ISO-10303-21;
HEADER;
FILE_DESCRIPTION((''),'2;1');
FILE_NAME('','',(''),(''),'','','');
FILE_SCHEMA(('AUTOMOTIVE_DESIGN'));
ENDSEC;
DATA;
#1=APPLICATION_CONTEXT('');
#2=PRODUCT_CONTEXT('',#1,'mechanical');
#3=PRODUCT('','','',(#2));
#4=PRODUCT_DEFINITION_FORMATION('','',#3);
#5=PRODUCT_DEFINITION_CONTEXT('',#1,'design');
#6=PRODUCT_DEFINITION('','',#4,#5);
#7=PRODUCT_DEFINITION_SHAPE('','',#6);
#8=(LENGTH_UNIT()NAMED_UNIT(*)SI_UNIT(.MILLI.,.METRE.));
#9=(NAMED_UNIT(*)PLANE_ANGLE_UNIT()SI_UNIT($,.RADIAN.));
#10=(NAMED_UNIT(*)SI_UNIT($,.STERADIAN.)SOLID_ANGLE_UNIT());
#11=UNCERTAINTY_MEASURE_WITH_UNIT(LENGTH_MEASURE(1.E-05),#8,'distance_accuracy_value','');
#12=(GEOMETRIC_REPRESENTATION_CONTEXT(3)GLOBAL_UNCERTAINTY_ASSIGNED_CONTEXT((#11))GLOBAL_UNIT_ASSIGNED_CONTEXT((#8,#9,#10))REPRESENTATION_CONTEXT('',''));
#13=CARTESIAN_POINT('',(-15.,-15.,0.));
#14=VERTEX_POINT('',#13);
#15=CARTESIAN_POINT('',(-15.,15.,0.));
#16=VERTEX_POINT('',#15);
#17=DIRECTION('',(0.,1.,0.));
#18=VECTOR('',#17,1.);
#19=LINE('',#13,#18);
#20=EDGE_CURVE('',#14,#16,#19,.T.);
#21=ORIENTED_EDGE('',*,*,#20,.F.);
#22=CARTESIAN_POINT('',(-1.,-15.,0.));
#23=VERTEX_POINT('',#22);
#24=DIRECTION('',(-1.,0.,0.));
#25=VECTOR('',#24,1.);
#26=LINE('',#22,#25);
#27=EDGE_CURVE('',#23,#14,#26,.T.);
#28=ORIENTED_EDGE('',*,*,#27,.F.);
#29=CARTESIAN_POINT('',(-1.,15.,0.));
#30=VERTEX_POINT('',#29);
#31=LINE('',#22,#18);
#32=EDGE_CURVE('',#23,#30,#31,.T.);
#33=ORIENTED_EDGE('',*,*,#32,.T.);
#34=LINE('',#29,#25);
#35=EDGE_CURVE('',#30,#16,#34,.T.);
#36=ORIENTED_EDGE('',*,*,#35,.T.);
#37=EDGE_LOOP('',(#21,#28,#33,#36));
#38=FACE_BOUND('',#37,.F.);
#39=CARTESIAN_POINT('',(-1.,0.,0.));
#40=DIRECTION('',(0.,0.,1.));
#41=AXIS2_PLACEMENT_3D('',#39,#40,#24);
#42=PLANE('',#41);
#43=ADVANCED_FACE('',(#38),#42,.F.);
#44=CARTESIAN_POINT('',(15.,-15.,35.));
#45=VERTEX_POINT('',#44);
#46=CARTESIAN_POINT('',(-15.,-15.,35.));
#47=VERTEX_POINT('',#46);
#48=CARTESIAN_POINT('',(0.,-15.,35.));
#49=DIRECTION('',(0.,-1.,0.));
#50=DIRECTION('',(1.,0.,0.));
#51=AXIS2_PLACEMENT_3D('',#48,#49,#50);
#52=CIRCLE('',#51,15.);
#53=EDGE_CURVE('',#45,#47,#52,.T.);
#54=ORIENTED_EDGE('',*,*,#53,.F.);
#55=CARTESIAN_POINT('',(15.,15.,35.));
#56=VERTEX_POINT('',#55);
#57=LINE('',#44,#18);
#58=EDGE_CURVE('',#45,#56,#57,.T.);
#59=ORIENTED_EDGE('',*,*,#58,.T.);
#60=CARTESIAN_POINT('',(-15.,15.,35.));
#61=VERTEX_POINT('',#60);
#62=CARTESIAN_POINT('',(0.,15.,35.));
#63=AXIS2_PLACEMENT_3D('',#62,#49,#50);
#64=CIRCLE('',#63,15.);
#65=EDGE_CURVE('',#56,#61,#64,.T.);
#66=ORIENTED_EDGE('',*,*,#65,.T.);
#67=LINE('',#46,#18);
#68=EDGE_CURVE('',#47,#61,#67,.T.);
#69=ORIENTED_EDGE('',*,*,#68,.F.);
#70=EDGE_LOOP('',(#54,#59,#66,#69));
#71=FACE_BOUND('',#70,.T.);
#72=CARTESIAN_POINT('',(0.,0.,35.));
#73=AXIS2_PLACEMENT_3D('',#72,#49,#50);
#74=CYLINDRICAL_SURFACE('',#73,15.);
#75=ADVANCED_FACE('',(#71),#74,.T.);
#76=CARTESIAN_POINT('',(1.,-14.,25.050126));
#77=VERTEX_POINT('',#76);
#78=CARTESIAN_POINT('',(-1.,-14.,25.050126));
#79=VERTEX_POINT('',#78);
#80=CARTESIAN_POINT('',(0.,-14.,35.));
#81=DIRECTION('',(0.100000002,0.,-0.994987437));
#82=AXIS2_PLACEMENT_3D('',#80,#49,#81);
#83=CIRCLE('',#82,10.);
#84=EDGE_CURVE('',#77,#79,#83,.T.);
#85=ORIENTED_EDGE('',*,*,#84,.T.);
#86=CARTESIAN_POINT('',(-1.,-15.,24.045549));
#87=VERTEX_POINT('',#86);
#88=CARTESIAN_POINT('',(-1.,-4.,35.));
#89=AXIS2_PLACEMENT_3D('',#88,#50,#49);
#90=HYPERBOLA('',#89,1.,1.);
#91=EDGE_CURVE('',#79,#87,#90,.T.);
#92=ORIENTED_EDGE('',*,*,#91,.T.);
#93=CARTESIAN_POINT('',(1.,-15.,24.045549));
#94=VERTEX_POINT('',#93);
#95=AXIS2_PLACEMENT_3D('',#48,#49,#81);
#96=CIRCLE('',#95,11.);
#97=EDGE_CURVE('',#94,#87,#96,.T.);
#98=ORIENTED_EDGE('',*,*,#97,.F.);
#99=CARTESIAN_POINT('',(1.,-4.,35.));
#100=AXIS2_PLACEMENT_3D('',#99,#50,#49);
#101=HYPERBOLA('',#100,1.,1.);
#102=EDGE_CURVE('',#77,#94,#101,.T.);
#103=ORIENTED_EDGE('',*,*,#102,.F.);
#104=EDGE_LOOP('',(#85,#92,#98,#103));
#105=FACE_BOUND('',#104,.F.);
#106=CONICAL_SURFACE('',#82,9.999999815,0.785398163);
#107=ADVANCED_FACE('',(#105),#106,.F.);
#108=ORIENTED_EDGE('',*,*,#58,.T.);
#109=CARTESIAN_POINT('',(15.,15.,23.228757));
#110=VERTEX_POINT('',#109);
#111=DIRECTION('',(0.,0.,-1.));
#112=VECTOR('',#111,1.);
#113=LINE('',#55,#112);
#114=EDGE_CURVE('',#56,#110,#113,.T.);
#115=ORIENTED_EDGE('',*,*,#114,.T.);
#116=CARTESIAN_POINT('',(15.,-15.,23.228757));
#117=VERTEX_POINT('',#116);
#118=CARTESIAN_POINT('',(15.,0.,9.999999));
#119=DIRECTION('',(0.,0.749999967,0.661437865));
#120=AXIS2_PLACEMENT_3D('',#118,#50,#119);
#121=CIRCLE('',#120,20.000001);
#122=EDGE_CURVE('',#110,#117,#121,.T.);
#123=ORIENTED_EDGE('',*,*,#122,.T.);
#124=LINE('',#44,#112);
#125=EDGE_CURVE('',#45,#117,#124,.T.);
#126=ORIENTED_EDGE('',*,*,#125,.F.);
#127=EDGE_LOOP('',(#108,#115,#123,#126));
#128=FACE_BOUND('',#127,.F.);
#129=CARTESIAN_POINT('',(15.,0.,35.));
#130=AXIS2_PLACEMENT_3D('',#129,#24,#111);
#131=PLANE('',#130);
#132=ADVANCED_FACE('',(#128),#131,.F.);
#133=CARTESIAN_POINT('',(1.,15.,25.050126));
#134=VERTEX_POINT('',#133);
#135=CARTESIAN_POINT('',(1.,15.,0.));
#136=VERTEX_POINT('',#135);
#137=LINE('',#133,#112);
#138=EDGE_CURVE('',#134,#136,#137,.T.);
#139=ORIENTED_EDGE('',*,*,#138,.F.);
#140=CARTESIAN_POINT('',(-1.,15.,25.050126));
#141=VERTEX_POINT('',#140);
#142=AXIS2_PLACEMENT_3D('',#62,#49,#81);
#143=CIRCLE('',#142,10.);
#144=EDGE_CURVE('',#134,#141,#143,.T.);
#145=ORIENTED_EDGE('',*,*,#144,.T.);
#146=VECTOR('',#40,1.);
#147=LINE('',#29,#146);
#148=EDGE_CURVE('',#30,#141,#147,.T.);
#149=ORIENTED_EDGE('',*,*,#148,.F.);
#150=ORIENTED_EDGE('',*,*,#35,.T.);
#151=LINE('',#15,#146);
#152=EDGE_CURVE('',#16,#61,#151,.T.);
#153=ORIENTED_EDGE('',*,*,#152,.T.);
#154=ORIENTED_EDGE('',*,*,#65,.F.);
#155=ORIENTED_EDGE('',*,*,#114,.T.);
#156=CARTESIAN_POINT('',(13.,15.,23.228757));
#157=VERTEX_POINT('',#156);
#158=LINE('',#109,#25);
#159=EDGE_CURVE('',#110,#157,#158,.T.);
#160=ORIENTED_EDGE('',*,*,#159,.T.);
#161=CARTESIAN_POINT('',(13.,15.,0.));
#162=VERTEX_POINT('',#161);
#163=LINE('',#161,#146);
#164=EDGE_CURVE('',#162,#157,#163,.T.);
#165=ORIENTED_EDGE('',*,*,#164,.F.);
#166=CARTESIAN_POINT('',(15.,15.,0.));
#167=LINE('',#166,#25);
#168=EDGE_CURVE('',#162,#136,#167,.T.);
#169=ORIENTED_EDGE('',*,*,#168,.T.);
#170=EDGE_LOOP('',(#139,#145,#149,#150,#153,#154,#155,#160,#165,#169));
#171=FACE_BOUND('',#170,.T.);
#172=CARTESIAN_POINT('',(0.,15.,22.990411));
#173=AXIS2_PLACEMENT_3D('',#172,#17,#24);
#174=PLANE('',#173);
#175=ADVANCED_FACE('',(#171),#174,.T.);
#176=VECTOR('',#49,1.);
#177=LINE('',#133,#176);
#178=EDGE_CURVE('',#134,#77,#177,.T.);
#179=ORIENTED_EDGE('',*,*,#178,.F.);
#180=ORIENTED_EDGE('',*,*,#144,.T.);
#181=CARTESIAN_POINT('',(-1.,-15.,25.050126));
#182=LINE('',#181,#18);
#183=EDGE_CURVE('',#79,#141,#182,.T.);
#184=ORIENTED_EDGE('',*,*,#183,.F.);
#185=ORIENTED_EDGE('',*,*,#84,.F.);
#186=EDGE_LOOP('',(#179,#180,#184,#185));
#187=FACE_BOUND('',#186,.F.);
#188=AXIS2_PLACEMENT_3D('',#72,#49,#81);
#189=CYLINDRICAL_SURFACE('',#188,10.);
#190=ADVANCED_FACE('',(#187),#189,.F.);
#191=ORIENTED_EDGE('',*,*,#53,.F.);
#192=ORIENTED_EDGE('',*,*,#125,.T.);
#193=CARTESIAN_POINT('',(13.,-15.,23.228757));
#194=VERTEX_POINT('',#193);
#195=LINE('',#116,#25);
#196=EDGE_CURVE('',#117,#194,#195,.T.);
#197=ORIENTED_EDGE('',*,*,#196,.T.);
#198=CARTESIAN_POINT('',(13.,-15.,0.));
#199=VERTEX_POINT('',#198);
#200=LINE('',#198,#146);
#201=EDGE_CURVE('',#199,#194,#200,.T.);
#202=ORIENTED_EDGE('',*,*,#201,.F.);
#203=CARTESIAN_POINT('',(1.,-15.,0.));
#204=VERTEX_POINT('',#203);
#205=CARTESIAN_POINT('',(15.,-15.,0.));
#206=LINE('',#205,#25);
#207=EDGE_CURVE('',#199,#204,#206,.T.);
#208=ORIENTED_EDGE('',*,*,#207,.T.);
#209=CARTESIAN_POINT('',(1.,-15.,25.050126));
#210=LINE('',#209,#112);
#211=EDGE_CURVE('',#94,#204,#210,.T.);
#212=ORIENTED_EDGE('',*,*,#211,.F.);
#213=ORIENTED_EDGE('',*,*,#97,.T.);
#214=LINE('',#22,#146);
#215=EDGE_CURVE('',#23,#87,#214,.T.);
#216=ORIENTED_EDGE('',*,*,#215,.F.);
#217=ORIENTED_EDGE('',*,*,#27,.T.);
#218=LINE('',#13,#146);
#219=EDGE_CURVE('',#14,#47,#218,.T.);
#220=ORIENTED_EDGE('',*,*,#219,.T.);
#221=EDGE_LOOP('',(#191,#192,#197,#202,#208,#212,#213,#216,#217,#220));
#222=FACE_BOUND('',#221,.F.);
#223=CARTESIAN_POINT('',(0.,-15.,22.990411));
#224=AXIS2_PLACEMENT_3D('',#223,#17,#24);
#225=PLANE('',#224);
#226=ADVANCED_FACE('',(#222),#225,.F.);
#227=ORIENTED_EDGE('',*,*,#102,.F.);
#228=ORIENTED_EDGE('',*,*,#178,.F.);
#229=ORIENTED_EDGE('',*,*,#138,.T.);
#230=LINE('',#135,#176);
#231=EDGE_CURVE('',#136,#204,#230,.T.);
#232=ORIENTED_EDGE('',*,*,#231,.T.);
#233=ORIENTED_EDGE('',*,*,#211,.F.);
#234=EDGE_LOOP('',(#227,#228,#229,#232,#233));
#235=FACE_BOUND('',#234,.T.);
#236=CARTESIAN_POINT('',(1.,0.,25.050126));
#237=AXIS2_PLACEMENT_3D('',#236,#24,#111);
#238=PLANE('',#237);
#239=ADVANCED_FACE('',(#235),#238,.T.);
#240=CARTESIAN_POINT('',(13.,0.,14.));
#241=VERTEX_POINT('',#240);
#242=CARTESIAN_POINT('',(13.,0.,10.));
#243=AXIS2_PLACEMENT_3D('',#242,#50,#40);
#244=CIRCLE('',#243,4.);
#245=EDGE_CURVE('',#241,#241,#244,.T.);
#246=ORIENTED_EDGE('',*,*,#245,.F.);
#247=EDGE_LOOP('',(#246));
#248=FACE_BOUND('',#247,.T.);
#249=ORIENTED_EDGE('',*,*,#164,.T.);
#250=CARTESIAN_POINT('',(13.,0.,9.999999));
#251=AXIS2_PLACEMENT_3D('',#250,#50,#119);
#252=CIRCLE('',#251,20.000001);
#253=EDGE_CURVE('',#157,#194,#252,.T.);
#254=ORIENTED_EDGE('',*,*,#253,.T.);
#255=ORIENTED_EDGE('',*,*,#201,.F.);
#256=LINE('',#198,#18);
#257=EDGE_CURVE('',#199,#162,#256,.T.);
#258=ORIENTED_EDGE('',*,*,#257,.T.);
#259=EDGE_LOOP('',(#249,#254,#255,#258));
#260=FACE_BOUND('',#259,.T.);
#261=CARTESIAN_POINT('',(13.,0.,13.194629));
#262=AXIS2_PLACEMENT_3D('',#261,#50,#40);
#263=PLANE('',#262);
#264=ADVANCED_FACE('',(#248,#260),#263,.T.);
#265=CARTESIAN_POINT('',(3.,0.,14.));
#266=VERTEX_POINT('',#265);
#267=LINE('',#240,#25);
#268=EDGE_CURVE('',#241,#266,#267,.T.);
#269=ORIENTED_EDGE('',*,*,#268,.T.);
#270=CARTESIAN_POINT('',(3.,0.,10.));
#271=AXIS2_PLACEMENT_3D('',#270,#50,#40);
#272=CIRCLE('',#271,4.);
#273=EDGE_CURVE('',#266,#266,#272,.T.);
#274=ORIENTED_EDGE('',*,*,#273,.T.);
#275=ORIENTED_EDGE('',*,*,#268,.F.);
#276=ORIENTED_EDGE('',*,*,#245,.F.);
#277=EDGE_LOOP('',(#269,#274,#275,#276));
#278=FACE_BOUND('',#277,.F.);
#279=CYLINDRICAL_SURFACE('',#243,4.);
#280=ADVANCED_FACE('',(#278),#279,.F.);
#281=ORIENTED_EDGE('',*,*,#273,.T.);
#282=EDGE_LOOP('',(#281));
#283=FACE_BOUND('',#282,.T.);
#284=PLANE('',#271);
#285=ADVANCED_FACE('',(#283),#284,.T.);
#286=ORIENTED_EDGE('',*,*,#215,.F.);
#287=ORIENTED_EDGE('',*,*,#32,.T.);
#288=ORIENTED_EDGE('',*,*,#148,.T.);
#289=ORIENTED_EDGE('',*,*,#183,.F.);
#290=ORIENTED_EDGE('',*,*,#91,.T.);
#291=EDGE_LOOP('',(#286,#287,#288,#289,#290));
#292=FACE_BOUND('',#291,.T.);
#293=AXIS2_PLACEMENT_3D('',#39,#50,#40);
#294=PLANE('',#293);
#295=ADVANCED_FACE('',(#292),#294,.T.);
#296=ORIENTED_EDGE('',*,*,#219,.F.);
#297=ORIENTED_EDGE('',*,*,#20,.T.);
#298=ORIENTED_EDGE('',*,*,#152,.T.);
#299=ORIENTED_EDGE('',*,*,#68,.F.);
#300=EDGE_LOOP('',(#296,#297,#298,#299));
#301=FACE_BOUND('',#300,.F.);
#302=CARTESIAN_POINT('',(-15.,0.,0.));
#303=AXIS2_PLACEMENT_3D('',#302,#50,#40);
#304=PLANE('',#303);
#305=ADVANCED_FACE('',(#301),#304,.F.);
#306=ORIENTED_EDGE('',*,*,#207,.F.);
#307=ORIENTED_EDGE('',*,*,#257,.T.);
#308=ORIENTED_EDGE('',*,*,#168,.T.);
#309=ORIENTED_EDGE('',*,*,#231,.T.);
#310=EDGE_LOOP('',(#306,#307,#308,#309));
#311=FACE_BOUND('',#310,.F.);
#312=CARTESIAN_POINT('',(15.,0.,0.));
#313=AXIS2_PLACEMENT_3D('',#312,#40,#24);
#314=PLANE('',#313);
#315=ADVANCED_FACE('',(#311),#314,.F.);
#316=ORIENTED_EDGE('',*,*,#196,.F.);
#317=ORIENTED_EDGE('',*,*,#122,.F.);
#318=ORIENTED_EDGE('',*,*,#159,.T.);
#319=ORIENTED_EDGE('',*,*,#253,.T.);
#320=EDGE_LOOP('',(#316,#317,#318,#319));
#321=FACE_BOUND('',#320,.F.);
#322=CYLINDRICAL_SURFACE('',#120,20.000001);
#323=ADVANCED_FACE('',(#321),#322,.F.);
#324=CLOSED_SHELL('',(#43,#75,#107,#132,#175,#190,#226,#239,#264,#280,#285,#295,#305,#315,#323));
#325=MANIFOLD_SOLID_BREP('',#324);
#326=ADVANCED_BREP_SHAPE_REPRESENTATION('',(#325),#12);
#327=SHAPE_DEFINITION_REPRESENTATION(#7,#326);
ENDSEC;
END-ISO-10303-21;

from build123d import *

# Parameters (mm, degrees)
PAD_DEPTH       = 15
POCKET_DEPTH    = 2
SKETCH002_R     = 4
POCKET001_DEPTH = 10
CHAMFER_SIZE    = 1


with BuildPart() as part:
    # Sketch → Pad (new body, symmetric)
    with BuildSketch(Plane.XZ):
        with BuildLine():
            ThreePointArc((1, 25.050126), (0, 45), (-1, 25.050126))
            Line((-1, 0), (-1, 25.050126))
            Line((-1, 0), (-15, 0))
            Line((-15, 0), (-15, 35))
            ThreePointArc((15, 35), (0, 50), (-15, 35))
            Line((15, 35), (15, 0))
            Line((15, 0), (1, 0))
            Line((1, 25.050126), (1, 0))
        make_face()
    extrude(amount=PAD_DEPTH, both=True)

    # Sketch001 (on Face1 of Pad) → Pocket (cut)
    with BuildSketch(Plane(origin=(15, 0, 0), x_dir=(0, 0, 1), z_dir=(1, 0, 0))):
        with BuildLine():
            ThreePointArc((23.228757, -15), (30, 0), (23.228757, 15))
            Line((0, 15), (23.228757, 15))
            Line((0, 15), (0, -15))
            Line((0, -15), (23.228757, -15))
        make_face()
    extrude(amount=-POCKET_DEPTH, mode=Mode.SUBTRACT)

    # Sketch002 (on Face12 of Pocket) → Pocket001 (cut)
    with BuildSketch(Plane(origin=(13, 0, 0), x_dir=(0, 0, 1), z_dir=(1, 0, 0))):
        with Locations((10, 0)):
            Circle(SKETCH002_R)
    extrude(amount=-POCKET001_DEPTH, mode=Mode.SUBTRACT)

    # Chamfer
    chamfer_edges = [part.edges().sort_by_distance(p)[0] for p in [
        (0, -15, 45),
    ]]
    chamfer(chamfer_edges, length=CHAMFER_SIZE)


solid = part.part
